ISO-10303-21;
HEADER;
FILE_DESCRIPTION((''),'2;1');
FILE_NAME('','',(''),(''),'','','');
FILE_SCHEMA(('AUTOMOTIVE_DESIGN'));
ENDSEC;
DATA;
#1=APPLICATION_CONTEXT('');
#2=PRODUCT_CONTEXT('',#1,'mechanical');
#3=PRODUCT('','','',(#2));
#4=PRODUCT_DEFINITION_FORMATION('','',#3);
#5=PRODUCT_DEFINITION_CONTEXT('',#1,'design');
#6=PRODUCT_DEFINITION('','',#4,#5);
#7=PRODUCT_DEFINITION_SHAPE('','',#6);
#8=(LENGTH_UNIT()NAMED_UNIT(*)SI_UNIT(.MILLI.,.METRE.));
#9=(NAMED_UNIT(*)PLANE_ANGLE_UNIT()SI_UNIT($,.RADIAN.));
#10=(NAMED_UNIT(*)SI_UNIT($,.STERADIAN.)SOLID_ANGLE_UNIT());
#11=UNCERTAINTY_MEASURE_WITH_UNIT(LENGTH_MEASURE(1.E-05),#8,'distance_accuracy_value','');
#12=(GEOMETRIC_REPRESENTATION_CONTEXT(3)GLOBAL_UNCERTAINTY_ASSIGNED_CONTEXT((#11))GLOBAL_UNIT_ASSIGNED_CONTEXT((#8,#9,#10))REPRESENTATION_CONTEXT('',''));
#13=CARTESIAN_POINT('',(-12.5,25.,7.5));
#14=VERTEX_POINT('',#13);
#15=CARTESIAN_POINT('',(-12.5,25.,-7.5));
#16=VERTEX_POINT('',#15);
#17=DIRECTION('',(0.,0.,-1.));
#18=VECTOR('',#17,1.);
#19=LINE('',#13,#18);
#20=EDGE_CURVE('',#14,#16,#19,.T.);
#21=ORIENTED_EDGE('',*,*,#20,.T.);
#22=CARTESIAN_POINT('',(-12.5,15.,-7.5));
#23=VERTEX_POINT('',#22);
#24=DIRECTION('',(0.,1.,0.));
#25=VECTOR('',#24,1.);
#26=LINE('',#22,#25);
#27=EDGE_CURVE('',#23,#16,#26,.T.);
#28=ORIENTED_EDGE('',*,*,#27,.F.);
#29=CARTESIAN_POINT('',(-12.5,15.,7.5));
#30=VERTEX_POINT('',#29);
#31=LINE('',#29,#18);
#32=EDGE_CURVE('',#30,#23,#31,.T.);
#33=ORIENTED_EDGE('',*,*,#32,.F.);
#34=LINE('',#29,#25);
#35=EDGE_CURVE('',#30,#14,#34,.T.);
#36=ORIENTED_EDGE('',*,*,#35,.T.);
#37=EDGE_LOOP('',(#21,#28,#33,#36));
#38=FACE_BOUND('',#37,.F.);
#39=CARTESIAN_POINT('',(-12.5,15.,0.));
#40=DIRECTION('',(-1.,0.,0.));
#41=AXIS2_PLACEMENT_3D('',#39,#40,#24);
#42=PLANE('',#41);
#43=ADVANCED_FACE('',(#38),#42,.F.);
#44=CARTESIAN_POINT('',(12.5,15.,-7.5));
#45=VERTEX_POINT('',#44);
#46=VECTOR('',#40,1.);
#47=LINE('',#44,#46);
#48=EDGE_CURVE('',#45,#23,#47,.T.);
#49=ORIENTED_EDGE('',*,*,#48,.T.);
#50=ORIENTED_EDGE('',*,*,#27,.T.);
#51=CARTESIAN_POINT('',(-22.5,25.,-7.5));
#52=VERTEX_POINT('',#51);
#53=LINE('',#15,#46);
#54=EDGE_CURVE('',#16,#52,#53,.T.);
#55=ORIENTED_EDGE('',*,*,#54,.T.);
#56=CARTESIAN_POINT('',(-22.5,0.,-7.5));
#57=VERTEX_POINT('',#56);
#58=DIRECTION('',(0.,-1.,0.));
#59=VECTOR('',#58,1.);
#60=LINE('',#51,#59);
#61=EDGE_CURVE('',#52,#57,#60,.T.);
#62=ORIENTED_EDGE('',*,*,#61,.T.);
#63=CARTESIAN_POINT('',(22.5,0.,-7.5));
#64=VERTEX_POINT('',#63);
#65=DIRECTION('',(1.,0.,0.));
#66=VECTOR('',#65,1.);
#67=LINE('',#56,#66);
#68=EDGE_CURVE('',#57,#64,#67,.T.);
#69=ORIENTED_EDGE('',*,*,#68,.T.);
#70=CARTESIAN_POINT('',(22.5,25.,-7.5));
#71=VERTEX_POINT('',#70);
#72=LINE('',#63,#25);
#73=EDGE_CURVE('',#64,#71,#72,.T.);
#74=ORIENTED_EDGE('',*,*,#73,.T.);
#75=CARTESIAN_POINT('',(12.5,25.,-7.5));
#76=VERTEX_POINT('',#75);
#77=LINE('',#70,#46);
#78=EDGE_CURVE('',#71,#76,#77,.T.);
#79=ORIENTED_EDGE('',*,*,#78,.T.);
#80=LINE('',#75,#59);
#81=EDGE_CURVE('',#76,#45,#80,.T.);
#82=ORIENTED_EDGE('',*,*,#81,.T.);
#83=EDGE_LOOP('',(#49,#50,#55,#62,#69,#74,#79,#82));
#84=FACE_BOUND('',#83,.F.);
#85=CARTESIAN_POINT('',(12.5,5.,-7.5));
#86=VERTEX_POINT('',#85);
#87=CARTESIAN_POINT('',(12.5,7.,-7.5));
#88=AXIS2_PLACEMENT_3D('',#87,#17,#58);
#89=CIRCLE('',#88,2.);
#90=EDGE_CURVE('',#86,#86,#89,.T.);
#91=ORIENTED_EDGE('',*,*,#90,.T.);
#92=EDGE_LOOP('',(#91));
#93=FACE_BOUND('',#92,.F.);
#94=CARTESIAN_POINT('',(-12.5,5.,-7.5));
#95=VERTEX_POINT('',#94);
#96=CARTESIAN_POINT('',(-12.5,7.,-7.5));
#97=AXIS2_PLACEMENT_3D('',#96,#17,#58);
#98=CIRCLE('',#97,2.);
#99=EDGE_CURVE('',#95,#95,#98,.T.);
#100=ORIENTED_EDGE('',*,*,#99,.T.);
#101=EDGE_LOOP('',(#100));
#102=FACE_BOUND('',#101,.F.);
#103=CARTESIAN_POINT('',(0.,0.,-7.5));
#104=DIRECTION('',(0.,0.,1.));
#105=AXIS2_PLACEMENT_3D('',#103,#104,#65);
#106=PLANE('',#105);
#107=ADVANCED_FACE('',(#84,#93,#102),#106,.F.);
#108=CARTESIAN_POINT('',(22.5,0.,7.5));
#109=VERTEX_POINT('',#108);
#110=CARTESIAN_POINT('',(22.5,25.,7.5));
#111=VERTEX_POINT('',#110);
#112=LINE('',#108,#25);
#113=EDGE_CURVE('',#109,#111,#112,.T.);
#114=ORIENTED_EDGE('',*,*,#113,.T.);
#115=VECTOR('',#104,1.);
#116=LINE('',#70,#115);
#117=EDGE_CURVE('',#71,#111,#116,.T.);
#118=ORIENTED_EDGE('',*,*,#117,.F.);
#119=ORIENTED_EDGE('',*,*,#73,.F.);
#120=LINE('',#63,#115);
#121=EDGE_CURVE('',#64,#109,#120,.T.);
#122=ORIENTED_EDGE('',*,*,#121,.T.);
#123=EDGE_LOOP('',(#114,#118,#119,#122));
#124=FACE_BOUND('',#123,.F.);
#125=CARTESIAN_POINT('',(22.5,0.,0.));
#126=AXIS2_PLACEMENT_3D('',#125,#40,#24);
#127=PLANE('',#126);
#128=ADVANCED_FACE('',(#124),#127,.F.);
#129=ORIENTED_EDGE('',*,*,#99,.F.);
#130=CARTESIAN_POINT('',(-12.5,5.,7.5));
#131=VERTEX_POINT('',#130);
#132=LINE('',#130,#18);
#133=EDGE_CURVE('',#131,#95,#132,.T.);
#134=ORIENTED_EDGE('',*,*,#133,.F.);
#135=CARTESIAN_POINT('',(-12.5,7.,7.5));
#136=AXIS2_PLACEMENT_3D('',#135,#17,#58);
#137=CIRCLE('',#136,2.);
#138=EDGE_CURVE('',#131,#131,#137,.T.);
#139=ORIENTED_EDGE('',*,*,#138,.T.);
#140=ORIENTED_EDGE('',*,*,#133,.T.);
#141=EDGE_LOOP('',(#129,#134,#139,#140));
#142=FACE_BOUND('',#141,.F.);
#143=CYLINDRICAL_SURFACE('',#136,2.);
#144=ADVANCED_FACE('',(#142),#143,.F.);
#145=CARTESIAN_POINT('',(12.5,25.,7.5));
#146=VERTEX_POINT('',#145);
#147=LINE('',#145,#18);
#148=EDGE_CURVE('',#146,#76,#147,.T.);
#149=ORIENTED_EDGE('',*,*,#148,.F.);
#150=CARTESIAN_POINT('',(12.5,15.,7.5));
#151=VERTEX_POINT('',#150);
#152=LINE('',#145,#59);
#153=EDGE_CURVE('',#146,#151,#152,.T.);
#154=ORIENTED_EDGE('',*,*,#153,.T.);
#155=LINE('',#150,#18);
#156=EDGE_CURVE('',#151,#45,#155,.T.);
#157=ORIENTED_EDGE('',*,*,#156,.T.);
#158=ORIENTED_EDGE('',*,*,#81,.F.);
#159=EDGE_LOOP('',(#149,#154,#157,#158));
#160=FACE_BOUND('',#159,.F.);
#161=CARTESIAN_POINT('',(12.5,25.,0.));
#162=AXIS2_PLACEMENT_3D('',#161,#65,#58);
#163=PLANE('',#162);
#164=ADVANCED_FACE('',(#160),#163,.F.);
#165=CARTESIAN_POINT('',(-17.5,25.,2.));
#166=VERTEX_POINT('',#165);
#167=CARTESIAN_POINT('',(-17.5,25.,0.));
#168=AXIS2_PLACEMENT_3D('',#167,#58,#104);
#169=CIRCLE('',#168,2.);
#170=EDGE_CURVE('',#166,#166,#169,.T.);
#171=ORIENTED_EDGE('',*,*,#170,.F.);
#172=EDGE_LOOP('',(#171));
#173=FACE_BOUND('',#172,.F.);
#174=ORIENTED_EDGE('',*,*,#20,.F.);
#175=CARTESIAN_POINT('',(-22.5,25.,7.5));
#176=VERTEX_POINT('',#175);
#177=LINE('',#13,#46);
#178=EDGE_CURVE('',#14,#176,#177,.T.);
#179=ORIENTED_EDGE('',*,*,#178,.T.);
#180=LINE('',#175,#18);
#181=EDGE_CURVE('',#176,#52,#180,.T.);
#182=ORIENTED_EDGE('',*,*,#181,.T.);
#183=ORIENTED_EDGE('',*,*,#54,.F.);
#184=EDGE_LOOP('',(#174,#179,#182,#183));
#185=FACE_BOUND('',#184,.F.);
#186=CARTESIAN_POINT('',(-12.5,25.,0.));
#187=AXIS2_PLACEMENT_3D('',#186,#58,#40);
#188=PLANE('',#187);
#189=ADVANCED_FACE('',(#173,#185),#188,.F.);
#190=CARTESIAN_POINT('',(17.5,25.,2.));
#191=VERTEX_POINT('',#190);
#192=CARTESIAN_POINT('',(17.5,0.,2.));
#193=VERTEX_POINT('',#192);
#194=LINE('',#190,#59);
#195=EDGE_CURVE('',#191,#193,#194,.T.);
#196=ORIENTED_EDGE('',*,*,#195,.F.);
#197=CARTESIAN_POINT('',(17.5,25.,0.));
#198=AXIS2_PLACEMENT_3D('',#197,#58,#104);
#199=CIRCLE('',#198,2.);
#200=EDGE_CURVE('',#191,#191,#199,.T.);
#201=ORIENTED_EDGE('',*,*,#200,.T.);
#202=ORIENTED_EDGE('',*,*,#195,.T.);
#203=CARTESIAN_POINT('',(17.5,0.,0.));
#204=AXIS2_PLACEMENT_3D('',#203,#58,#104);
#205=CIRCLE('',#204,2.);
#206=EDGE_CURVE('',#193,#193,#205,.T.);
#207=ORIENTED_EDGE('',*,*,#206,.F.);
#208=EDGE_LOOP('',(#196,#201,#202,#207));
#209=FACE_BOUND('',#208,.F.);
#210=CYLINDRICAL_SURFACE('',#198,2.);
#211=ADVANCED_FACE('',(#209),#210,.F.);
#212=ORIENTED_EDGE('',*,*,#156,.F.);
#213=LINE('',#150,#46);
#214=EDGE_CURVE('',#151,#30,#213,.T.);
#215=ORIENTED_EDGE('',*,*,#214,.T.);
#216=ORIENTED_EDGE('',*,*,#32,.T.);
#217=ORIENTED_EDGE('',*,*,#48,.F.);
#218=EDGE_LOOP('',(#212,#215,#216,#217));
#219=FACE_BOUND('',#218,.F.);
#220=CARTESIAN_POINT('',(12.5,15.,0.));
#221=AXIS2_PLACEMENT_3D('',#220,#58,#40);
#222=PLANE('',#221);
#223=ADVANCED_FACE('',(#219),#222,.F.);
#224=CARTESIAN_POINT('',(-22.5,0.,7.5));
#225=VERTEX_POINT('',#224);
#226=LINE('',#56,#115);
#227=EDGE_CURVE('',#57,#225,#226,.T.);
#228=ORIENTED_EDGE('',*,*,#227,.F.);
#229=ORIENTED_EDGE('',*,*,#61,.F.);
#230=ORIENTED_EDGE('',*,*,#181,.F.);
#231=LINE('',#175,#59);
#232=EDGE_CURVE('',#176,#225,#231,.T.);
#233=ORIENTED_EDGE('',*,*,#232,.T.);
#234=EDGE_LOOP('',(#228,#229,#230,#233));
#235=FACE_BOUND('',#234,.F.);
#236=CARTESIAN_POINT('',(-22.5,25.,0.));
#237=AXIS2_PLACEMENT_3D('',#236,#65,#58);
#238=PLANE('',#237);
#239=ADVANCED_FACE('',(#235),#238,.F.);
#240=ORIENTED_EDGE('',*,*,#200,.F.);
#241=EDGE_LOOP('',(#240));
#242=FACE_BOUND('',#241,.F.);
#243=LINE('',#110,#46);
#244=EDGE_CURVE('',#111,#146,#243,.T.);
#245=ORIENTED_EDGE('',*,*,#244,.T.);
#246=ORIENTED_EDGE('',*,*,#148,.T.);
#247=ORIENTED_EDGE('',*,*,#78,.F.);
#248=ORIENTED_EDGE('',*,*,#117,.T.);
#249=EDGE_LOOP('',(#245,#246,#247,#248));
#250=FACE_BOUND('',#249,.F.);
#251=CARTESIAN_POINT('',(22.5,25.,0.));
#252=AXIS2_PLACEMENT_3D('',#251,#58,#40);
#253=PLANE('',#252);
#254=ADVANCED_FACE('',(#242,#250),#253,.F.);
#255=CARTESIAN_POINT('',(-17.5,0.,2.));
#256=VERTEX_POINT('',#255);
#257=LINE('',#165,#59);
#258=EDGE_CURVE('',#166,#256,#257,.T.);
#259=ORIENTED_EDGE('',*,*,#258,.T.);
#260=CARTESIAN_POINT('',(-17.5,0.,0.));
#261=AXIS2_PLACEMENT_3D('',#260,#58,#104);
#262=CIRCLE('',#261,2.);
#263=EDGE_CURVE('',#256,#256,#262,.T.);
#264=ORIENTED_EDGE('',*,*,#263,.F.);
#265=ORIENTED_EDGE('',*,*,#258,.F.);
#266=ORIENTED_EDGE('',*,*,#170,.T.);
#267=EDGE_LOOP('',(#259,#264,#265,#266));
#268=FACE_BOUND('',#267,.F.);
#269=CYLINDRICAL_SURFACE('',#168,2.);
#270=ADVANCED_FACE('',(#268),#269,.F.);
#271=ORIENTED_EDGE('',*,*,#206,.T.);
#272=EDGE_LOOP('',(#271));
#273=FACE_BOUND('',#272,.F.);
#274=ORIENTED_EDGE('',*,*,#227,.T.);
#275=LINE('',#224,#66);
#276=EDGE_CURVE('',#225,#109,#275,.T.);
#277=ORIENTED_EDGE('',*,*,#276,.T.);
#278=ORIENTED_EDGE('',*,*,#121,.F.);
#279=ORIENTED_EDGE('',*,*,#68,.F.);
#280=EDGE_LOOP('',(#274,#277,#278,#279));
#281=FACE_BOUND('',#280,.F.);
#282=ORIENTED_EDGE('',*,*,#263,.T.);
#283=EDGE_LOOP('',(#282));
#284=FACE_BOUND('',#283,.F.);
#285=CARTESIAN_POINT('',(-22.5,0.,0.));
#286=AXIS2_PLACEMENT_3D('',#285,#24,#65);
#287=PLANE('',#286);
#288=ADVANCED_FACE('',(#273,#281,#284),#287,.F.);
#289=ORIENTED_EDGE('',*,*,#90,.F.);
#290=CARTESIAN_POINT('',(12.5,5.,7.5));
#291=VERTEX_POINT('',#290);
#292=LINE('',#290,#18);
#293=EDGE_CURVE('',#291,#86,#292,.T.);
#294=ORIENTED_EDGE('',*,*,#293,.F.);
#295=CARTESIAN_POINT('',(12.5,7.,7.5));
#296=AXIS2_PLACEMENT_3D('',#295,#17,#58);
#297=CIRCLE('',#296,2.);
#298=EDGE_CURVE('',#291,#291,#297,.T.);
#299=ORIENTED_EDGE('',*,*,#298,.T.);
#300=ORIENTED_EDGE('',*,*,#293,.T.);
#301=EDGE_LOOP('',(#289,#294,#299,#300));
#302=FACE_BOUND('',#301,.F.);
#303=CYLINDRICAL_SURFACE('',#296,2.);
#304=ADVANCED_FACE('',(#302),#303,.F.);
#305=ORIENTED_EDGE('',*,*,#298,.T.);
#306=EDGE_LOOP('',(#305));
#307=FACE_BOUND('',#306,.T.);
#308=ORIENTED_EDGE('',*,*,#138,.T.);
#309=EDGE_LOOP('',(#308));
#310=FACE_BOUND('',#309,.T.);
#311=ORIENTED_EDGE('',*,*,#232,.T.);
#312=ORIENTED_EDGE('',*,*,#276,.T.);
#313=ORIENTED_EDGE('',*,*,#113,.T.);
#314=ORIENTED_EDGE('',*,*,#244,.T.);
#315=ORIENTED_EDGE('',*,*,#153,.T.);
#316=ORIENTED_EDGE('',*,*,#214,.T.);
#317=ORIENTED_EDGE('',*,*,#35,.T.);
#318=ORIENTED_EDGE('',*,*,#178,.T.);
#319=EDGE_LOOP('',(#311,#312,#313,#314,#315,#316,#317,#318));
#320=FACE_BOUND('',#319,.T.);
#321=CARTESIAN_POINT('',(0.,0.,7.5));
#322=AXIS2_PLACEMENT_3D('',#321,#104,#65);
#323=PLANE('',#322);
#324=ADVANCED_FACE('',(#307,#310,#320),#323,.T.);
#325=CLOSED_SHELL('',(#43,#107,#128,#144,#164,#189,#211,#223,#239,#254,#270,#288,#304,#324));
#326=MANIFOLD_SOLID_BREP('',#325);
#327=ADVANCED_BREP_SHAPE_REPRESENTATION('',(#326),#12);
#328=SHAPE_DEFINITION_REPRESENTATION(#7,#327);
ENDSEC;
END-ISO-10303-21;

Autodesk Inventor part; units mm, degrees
ref_plane "YZ Plane" through (0, 0, 0) normal (1, 0, 0) x (0, 1, 0)
ref_plane "XZ Plane" through (0, 0, 0) normal (0, 1, 0) x (-1, 0, 0)
ref_plane "XY Plane" through (0, 0, 0) normal (0, 0, 1) x (1, 0, 0)
sketch "Sketch1" plane through (0, 0, 0) normal (0, 0, 1) x (1, 0, 0)
  line L0 (-22.5, 0) -> (22.5, 0)
  line L1 (22.5, 0) -> (22.5, 25)
  line L2 (22.5, 25) -> (12.5, 25)
  line L3 (12.5, 25) -> (12.5, 15)
  line L4 (12.5, 15) -> (-12.5, 15)
  line L5 (-12.5, 15) -> (-12.5, 25)
  line L6 (-12.5, 25) -> (-22.5, 25)
  line L7 (-22.5, 25) -> (-22.5, 0)
  point P0 (0, 0)
  point P1 (0, 0)
  dimension "d0" = 45
  dimension "d1" = 25
  dimension "d2" = 10
  dimension "d3" = 10
extrude "Extrusion1" add sketch "Sketch1" along normal mid plane 15
sketch "Sketch2" plane through (12.5, 25, -7.5) normal (0, 1, 0) x (1, 0, 0)
  line L0 (0, 0) -> (10, 0) projected
  line L1 (0, 0) -> (0, -15) projected
  line L2 (10, -15) -> (0, -15) projected
  line L3 (10, 0) -> (10, -15) projected
  line L4 (-35, 0) -> (-25, 0) projected
  line L5 (-35, 0) -> (-35, -15) projected
  line L6 (-25, -15) -> (-35, -15) projected
  line L7 (-25, 0) -> (-25, -15) projected
  line L8 (-25, 0) -> (-25, -15) projected
  line L9 (5, -7.5) -> (-30, -7.5)
  point P0 (-12.5, -7.5)
  point P1 (-12.5, -7.5)
  dimension "d6" = 35
hole "Hole1" at (17.5, 25, 0) at (-17.5, 25, 0) direction (0, -1, 0) diameter 4 end through all
sketch "Sketch3" plane through (0, 0, 7.5) normal (0, 0, 1) x (1, 0, 0)
  line L0 (12.5, 7) -> (-12.5, 7) construction
  line L1 (0, 0) -> (0, 14) construction
  line L2 (12.5, 15) -> (-12.5, 15) projected
  point P0 (0, 7)
  dimension "d14" = 8
  dimension "d15" = 25
hole "Hole2" at (12.5, 7, 7.5) at (-12.5, 7, 7.5) direction (0, 0, -1) diameter 4 end through all
properties part number "sujetador inferior"
